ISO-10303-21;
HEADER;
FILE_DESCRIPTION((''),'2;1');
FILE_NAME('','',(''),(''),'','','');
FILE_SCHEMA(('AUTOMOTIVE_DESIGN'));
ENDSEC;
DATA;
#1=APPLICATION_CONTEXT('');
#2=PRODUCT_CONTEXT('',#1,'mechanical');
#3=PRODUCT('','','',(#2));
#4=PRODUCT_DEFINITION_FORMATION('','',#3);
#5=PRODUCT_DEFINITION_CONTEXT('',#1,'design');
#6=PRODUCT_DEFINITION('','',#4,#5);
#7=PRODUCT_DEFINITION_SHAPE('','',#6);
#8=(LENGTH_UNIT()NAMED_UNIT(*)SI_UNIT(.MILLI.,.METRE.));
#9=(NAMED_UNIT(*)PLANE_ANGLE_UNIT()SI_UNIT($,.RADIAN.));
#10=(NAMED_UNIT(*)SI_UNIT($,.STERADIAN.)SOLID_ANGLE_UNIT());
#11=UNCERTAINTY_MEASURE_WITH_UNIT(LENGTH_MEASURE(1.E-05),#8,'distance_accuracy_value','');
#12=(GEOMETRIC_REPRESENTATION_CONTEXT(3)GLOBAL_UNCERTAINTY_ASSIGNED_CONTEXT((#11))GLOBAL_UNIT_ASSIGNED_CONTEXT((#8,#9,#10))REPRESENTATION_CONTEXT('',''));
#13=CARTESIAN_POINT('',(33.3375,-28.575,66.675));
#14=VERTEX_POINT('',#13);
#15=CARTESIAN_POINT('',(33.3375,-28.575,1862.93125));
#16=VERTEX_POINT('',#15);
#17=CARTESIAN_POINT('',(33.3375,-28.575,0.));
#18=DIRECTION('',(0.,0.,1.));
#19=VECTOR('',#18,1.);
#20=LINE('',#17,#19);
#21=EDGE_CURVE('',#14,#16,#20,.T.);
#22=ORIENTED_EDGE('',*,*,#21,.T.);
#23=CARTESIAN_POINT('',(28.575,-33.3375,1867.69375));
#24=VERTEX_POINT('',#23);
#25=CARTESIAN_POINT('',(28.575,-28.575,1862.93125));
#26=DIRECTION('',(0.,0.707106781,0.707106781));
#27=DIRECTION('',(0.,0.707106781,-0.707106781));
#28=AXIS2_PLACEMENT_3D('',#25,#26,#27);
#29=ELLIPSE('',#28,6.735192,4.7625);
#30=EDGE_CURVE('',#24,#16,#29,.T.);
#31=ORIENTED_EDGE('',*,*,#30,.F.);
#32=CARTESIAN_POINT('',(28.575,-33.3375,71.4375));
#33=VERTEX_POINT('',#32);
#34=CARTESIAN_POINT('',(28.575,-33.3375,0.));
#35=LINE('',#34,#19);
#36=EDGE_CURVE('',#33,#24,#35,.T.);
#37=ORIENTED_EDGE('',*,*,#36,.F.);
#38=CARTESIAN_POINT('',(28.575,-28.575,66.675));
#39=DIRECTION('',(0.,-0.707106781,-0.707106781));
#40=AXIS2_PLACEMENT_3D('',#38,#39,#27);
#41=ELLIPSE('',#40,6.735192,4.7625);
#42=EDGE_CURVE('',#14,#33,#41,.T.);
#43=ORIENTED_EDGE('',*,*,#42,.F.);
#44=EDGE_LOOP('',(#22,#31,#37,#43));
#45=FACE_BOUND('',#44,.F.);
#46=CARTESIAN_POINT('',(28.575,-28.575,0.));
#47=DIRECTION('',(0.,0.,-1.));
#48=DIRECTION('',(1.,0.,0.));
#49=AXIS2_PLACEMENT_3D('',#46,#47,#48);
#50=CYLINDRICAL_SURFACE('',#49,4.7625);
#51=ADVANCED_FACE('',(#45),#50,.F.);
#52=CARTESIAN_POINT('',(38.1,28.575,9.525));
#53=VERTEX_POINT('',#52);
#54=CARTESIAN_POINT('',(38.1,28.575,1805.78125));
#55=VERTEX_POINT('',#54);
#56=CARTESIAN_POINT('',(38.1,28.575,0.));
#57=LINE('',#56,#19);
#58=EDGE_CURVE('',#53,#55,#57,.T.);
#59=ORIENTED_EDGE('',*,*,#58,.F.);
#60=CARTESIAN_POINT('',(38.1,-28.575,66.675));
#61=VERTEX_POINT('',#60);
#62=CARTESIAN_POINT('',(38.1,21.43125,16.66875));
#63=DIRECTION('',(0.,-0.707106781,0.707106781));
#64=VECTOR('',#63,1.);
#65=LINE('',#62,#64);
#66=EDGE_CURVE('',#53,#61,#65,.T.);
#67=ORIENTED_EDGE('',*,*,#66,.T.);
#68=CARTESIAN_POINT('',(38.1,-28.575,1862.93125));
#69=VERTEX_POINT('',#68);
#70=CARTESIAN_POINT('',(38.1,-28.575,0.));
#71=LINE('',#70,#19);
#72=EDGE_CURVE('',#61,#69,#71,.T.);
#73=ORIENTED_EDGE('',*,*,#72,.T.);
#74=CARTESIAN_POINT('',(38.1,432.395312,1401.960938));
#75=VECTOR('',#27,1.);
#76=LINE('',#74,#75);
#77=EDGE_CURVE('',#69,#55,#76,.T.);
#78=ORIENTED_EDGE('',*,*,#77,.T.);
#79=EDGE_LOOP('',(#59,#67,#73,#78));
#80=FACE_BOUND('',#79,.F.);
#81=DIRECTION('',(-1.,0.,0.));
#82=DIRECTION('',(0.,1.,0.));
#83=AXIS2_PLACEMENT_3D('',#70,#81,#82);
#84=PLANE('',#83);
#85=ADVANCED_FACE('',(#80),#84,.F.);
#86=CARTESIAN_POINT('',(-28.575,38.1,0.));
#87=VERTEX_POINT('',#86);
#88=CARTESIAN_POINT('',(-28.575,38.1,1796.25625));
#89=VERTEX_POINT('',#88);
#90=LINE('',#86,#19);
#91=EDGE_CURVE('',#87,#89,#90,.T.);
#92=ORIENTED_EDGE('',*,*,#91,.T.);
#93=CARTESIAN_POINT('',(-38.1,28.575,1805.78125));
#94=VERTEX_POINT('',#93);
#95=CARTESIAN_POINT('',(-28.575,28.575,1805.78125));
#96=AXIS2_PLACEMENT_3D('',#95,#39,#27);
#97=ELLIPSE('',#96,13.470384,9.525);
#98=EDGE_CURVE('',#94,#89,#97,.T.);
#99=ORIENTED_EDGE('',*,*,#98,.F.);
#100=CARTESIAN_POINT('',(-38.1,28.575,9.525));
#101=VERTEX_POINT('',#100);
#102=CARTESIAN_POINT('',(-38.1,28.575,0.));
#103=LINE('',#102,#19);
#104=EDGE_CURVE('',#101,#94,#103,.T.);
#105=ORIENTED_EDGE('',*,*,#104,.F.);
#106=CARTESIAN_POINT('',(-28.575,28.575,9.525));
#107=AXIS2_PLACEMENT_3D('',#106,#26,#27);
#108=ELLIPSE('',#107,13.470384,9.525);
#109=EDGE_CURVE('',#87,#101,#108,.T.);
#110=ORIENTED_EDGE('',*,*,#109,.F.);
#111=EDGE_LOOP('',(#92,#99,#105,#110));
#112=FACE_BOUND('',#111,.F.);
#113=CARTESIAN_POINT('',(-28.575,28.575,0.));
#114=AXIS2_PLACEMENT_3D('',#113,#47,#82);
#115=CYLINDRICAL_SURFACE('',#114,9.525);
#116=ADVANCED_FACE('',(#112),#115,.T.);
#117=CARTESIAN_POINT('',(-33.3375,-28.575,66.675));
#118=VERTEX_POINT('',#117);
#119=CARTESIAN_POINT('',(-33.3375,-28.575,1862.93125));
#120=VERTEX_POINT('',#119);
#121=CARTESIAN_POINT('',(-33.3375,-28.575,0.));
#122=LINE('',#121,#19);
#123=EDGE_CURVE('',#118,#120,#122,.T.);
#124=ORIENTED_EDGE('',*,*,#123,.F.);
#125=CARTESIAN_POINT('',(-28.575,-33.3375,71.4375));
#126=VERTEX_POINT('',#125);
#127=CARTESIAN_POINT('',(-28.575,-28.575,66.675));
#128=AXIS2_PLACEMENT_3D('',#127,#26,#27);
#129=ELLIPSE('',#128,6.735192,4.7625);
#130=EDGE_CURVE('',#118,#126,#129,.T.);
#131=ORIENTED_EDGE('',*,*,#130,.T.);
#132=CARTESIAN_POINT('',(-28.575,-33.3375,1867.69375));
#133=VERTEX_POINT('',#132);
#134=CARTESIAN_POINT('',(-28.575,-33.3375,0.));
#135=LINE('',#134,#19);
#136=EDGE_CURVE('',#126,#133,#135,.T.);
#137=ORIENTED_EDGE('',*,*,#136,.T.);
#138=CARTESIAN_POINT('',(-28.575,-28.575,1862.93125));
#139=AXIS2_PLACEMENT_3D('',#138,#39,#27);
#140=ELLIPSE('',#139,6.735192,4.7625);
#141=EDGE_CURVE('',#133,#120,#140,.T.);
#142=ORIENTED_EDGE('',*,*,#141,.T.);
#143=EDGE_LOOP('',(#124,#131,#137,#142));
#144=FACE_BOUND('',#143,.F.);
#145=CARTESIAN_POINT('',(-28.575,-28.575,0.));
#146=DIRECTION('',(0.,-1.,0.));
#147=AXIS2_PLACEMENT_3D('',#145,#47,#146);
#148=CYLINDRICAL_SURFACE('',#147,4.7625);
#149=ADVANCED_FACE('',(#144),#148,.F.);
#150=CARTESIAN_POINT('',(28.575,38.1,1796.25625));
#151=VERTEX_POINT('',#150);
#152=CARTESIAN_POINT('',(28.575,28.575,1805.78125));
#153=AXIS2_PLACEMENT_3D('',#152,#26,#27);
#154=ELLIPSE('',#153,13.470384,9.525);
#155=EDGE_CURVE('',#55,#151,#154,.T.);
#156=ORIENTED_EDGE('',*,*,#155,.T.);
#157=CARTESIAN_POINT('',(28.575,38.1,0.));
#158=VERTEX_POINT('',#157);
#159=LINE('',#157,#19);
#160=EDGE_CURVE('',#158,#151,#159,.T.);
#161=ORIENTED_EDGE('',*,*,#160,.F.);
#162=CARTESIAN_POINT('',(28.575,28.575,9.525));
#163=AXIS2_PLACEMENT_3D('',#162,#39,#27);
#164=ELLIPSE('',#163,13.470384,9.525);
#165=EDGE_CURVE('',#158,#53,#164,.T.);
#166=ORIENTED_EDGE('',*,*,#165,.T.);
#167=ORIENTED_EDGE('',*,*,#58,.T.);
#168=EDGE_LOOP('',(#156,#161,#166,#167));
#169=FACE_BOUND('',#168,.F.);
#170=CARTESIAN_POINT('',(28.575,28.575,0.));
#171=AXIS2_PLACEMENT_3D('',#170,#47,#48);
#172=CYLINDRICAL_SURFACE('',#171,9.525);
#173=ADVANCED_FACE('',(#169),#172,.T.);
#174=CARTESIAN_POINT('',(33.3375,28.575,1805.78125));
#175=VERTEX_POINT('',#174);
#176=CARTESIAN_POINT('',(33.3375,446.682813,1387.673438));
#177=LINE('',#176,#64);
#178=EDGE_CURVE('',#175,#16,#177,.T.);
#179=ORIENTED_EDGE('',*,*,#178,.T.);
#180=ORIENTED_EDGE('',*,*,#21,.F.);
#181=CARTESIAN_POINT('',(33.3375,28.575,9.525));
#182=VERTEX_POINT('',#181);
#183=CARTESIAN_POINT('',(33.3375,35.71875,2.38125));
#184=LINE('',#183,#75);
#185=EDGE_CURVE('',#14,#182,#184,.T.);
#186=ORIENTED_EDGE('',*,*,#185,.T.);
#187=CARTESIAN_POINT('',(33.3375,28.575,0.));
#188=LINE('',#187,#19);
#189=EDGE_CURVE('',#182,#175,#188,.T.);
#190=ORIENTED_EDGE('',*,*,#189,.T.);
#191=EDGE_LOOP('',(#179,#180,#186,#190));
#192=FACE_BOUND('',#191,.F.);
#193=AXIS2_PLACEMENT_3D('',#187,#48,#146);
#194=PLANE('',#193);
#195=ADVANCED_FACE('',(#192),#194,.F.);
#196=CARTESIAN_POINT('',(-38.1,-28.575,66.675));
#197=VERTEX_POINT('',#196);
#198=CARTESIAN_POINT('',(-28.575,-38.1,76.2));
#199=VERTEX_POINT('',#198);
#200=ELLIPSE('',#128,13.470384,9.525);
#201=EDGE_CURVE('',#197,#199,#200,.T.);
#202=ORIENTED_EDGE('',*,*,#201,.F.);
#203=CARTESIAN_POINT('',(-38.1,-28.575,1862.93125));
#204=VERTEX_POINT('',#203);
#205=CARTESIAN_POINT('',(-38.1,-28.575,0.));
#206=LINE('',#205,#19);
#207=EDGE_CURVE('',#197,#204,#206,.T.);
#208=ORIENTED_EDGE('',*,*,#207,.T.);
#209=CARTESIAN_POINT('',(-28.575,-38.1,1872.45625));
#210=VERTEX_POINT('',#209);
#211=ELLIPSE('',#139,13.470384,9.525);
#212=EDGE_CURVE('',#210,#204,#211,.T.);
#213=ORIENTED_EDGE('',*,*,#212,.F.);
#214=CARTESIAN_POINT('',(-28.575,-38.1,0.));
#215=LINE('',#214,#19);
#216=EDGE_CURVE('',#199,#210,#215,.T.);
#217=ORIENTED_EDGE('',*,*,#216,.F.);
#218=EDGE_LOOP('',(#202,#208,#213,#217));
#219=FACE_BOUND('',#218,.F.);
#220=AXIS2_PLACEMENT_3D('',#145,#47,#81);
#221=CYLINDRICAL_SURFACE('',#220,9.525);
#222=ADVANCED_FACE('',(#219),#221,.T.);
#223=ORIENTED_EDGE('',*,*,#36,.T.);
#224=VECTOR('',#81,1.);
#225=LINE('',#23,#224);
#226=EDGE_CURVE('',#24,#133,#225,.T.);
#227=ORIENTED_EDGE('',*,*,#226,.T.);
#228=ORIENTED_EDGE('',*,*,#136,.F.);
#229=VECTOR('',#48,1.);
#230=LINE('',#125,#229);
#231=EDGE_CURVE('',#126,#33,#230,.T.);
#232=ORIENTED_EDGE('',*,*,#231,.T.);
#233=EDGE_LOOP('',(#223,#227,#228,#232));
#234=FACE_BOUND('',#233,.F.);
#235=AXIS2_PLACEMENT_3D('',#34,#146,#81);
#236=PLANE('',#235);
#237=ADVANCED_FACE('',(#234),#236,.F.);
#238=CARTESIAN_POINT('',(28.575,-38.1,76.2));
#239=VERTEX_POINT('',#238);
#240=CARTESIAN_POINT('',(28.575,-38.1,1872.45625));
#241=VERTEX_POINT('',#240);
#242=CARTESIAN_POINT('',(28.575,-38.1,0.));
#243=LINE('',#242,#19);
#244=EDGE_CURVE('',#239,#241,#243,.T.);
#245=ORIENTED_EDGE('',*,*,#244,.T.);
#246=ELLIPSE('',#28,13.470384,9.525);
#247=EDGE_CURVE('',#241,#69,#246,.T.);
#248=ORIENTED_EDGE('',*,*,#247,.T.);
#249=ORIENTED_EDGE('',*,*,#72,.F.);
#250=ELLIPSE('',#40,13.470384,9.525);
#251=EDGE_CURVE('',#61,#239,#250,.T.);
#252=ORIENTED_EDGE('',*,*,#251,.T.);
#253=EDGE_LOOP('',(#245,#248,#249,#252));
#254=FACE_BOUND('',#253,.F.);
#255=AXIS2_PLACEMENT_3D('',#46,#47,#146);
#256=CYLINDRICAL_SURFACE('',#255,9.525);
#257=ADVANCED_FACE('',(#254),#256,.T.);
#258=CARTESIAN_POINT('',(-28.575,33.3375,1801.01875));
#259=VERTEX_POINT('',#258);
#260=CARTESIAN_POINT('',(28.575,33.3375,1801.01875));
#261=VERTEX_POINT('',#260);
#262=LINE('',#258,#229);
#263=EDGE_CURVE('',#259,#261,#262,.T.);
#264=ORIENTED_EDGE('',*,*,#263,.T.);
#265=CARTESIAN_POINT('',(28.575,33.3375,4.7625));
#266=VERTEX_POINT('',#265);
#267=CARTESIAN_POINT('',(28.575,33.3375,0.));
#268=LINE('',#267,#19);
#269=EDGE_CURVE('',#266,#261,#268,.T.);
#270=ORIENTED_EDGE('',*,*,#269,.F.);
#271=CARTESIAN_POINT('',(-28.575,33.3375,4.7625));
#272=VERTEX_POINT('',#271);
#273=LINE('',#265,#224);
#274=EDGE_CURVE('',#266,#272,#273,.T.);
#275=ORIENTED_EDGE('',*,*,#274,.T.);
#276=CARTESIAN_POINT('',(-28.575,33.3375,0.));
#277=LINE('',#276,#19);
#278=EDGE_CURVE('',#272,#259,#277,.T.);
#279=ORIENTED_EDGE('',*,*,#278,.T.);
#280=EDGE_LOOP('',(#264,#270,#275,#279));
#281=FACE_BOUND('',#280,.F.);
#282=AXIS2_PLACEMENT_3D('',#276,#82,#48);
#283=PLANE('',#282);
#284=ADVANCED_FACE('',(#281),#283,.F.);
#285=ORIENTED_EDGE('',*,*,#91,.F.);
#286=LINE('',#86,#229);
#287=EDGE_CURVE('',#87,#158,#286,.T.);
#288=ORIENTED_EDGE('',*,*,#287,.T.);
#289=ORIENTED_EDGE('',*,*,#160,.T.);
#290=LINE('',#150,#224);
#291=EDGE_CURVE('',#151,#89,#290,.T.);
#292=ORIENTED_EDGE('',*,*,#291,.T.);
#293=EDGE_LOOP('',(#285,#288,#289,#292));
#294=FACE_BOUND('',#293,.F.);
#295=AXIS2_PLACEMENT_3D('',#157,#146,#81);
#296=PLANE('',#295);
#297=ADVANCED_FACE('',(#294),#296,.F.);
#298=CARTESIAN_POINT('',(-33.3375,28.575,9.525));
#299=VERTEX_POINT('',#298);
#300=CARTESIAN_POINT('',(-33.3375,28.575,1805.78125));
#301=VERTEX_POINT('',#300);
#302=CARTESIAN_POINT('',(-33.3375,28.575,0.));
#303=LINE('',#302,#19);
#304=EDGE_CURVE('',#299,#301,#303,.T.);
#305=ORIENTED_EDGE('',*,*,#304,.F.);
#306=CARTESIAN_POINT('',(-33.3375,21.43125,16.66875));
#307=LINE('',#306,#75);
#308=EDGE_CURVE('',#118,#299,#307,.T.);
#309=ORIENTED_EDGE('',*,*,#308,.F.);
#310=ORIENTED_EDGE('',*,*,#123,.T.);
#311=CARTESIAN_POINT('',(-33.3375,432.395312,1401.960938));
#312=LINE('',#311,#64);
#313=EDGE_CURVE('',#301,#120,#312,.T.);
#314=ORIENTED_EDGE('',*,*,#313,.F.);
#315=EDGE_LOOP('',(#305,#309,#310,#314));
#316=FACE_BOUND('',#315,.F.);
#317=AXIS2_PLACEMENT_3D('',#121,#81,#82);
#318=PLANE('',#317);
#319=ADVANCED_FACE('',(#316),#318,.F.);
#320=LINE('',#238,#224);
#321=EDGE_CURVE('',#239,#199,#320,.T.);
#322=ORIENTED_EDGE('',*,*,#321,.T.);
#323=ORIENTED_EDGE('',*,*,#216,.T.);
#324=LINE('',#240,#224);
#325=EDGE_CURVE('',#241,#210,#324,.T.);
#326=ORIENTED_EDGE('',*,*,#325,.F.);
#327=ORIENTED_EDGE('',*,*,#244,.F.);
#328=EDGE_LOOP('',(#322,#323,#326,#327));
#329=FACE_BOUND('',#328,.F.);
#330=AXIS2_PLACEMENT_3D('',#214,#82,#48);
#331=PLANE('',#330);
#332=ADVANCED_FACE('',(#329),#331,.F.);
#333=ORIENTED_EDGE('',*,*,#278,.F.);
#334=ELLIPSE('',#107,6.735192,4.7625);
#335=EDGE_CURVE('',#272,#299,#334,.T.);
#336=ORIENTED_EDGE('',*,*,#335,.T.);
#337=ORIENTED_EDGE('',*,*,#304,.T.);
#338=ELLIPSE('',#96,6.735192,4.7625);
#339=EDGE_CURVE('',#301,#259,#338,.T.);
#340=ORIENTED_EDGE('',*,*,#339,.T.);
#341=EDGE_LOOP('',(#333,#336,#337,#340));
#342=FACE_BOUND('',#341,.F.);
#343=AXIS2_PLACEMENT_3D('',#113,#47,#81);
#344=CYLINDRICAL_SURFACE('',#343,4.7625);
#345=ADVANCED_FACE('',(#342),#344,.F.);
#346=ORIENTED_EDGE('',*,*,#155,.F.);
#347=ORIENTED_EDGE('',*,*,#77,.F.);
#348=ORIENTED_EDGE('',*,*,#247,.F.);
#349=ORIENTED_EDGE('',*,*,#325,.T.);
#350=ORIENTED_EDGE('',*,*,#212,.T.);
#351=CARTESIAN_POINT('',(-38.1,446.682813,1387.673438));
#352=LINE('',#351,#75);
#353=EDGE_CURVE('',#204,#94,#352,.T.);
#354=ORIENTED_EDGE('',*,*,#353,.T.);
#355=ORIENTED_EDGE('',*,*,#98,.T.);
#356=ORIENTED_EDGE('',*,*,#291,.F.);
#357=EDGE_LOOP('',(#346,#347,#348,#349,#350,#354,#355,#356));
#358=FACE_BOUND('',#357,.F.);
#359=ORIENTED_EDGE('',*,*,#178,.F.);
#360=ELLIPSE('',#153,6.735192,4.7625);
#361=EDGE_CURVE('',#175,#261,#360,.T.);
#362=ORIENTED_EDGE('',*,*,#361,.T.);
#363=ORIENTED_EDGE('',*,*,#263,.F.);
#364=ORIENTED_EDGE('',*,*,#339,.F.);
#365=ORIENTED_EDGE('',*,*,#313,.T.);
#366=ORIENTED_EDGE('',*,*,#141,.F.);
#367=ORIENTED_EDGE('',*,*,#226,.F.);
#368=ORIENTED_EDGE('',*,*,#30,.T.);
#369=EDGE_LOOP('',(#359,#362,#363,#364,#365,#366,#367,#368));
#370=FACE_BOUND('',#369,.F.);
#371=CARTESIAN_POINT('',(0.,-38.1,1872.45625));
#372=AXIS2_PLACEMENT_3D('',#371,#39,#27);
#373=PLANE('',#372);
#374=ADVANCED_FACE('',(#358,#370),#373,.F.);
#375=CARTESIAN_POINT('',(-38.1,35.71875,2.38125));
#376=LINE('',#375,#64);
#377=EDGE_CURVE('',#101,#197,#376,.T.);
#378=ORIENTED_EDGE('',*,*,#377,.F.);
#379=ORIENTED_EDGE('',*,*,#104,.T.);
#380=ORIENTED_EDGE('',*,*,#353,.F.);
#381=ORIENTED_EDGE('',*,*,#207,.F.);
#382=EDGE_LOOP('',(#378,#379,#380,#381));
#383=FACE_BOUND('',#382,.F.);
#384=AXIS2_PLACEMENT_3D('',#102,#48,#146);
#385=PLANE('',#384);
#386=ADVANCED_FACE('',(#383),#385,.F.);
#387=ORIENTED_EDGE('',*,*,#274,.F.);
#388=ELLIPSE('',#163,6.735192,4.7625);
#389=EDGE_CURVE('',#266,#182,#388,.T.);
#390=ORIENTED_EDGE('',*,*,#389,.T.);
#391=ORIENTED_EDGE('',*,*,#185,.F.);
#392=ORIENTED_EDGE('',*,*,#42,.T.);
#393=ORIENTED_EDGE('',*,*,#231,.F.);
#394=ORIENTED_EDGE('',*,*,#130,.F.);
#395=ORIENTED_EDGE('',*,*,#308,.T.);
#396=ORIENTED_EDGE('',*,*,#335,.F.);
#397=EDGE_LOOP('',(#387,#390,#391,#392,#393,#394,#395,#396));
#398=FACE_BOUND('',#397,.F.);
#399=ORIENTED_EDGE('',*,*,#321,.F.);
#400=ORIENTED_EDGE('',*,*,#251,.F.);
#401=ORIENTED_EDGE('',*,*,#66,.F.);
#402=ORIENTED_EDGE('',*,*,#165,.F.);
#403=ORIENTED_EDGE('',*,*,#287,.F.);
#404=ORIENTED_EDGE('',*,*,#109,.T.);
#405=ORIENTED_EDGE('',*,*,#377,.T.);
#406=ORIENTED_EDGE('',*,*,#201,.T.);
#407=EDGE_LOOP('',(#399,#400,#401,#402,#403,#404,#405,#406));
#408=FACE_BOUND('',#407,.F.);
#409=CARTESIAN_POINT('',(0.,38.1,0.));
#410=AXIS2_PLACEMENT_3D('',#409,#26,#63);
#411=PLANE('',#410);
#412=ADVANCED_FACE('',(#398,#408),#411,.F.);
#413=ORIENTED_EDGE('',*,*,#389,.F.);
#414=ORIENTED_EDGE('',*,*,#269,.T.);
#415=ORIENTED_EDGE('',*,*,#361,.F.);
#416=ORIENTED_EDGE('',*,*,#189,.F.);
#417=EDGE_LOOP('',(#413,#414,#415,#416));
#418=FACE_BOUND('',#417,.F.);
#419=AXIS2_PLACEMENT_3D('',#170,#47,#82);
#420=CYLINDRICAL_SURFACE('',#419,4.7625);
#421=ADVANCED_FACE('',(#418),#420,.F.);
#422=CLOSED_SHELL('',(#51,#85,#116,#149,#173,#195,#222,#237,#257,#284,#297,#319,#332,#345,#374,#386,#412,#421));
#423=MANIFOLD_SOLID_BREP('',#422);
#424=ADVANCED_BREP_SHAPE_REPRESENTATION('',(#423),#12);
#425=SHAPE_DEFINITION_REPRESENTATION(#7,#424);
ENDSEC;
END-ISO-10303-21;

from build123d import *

# Parameters (mm, degrees)
F1_DEPTH      = 1872.45625
F3_DEPTH      = 38.101
F3_DEPTH_BACK = 38.101


with BuildPart() as f1:
    # F0 (on Top) → F1 (new body)
    with BuildSketch(Plane.XY):
        with BuildLine():
            ThreePointArc((-38.1, -28.575), (-35.3101920908, -35.3101920908), (-28.575, -38.1))
            Line((-28.575, -38.1), (28.575, -38.1))
            ThreePointArc((28.575, -38.1), (35.3101920908, -35.3101920908), (38.1, -28.575))
            Line((38.1, -28.575), (38.1, 28.575))
            ThreePointArc((38.1, 28.575), (35.3101920908, 35.3101920908), (28.575, 38.1))
            Line((28.575, 38.1), (-28.575, 38.1))
            ThreePointArc((-28.575, 38.1), (-35.3101920908, 35.3101920908), (-38.1, 28.575))
            Line((-38.1, 28.575), (-38.1, -28.575))
        make_face()
        with BuildLine():
            Line((28.575, -33.3375), (-28.575, -33.3375))
            ThreePointArc((-28.575, -33.3375), (-31.9425960454, -31.9425960454), (-33.3375, -28.575))
            Line((-33.3375, -28.575), (-33.3375, 28.575))
            ThreePointArc((-33.3375, 28.575), (-31.9425960454, 31.9425960454), (-28.575, 33.3375))
            Line((-28.575, 33.3375), (28.575, 33.3375))
            ThreePointArc((28.575, 33.3375), (31.9425960454, 31.9425960454), (33.3375, 28.575))
            Line((33.3375, 28.575), (33.3375, -28.575))
            ThreePointArc((33.3375, -28.575), (31.9425960454, -31.9425960454), (28.575, -33.3375))
        make_face(mode=Mode.SUBTRACT)
    extrude(amount=F1_DEPTH)

    # F2 (on Right) → F3 (cut, two sides)
    with BuildSketch(Plane.YZ) as f3_sk:
        Polygon((-38.1, 76.2), (-38.1, 0), (38.1, 0), align=None)
        Polygon((38.1, 1872.45625), (-38.1, 1872.45625), (38.1, 1796.25625), align=None)
    extrude(amount=-F3_DEPTH, mode=Mode.SUBTRACT)
    extrude(f3_sk.sketch, amount=F3_DEPTH_BACK, mode=Mode.SUBTRACT)


solid = f1.part
